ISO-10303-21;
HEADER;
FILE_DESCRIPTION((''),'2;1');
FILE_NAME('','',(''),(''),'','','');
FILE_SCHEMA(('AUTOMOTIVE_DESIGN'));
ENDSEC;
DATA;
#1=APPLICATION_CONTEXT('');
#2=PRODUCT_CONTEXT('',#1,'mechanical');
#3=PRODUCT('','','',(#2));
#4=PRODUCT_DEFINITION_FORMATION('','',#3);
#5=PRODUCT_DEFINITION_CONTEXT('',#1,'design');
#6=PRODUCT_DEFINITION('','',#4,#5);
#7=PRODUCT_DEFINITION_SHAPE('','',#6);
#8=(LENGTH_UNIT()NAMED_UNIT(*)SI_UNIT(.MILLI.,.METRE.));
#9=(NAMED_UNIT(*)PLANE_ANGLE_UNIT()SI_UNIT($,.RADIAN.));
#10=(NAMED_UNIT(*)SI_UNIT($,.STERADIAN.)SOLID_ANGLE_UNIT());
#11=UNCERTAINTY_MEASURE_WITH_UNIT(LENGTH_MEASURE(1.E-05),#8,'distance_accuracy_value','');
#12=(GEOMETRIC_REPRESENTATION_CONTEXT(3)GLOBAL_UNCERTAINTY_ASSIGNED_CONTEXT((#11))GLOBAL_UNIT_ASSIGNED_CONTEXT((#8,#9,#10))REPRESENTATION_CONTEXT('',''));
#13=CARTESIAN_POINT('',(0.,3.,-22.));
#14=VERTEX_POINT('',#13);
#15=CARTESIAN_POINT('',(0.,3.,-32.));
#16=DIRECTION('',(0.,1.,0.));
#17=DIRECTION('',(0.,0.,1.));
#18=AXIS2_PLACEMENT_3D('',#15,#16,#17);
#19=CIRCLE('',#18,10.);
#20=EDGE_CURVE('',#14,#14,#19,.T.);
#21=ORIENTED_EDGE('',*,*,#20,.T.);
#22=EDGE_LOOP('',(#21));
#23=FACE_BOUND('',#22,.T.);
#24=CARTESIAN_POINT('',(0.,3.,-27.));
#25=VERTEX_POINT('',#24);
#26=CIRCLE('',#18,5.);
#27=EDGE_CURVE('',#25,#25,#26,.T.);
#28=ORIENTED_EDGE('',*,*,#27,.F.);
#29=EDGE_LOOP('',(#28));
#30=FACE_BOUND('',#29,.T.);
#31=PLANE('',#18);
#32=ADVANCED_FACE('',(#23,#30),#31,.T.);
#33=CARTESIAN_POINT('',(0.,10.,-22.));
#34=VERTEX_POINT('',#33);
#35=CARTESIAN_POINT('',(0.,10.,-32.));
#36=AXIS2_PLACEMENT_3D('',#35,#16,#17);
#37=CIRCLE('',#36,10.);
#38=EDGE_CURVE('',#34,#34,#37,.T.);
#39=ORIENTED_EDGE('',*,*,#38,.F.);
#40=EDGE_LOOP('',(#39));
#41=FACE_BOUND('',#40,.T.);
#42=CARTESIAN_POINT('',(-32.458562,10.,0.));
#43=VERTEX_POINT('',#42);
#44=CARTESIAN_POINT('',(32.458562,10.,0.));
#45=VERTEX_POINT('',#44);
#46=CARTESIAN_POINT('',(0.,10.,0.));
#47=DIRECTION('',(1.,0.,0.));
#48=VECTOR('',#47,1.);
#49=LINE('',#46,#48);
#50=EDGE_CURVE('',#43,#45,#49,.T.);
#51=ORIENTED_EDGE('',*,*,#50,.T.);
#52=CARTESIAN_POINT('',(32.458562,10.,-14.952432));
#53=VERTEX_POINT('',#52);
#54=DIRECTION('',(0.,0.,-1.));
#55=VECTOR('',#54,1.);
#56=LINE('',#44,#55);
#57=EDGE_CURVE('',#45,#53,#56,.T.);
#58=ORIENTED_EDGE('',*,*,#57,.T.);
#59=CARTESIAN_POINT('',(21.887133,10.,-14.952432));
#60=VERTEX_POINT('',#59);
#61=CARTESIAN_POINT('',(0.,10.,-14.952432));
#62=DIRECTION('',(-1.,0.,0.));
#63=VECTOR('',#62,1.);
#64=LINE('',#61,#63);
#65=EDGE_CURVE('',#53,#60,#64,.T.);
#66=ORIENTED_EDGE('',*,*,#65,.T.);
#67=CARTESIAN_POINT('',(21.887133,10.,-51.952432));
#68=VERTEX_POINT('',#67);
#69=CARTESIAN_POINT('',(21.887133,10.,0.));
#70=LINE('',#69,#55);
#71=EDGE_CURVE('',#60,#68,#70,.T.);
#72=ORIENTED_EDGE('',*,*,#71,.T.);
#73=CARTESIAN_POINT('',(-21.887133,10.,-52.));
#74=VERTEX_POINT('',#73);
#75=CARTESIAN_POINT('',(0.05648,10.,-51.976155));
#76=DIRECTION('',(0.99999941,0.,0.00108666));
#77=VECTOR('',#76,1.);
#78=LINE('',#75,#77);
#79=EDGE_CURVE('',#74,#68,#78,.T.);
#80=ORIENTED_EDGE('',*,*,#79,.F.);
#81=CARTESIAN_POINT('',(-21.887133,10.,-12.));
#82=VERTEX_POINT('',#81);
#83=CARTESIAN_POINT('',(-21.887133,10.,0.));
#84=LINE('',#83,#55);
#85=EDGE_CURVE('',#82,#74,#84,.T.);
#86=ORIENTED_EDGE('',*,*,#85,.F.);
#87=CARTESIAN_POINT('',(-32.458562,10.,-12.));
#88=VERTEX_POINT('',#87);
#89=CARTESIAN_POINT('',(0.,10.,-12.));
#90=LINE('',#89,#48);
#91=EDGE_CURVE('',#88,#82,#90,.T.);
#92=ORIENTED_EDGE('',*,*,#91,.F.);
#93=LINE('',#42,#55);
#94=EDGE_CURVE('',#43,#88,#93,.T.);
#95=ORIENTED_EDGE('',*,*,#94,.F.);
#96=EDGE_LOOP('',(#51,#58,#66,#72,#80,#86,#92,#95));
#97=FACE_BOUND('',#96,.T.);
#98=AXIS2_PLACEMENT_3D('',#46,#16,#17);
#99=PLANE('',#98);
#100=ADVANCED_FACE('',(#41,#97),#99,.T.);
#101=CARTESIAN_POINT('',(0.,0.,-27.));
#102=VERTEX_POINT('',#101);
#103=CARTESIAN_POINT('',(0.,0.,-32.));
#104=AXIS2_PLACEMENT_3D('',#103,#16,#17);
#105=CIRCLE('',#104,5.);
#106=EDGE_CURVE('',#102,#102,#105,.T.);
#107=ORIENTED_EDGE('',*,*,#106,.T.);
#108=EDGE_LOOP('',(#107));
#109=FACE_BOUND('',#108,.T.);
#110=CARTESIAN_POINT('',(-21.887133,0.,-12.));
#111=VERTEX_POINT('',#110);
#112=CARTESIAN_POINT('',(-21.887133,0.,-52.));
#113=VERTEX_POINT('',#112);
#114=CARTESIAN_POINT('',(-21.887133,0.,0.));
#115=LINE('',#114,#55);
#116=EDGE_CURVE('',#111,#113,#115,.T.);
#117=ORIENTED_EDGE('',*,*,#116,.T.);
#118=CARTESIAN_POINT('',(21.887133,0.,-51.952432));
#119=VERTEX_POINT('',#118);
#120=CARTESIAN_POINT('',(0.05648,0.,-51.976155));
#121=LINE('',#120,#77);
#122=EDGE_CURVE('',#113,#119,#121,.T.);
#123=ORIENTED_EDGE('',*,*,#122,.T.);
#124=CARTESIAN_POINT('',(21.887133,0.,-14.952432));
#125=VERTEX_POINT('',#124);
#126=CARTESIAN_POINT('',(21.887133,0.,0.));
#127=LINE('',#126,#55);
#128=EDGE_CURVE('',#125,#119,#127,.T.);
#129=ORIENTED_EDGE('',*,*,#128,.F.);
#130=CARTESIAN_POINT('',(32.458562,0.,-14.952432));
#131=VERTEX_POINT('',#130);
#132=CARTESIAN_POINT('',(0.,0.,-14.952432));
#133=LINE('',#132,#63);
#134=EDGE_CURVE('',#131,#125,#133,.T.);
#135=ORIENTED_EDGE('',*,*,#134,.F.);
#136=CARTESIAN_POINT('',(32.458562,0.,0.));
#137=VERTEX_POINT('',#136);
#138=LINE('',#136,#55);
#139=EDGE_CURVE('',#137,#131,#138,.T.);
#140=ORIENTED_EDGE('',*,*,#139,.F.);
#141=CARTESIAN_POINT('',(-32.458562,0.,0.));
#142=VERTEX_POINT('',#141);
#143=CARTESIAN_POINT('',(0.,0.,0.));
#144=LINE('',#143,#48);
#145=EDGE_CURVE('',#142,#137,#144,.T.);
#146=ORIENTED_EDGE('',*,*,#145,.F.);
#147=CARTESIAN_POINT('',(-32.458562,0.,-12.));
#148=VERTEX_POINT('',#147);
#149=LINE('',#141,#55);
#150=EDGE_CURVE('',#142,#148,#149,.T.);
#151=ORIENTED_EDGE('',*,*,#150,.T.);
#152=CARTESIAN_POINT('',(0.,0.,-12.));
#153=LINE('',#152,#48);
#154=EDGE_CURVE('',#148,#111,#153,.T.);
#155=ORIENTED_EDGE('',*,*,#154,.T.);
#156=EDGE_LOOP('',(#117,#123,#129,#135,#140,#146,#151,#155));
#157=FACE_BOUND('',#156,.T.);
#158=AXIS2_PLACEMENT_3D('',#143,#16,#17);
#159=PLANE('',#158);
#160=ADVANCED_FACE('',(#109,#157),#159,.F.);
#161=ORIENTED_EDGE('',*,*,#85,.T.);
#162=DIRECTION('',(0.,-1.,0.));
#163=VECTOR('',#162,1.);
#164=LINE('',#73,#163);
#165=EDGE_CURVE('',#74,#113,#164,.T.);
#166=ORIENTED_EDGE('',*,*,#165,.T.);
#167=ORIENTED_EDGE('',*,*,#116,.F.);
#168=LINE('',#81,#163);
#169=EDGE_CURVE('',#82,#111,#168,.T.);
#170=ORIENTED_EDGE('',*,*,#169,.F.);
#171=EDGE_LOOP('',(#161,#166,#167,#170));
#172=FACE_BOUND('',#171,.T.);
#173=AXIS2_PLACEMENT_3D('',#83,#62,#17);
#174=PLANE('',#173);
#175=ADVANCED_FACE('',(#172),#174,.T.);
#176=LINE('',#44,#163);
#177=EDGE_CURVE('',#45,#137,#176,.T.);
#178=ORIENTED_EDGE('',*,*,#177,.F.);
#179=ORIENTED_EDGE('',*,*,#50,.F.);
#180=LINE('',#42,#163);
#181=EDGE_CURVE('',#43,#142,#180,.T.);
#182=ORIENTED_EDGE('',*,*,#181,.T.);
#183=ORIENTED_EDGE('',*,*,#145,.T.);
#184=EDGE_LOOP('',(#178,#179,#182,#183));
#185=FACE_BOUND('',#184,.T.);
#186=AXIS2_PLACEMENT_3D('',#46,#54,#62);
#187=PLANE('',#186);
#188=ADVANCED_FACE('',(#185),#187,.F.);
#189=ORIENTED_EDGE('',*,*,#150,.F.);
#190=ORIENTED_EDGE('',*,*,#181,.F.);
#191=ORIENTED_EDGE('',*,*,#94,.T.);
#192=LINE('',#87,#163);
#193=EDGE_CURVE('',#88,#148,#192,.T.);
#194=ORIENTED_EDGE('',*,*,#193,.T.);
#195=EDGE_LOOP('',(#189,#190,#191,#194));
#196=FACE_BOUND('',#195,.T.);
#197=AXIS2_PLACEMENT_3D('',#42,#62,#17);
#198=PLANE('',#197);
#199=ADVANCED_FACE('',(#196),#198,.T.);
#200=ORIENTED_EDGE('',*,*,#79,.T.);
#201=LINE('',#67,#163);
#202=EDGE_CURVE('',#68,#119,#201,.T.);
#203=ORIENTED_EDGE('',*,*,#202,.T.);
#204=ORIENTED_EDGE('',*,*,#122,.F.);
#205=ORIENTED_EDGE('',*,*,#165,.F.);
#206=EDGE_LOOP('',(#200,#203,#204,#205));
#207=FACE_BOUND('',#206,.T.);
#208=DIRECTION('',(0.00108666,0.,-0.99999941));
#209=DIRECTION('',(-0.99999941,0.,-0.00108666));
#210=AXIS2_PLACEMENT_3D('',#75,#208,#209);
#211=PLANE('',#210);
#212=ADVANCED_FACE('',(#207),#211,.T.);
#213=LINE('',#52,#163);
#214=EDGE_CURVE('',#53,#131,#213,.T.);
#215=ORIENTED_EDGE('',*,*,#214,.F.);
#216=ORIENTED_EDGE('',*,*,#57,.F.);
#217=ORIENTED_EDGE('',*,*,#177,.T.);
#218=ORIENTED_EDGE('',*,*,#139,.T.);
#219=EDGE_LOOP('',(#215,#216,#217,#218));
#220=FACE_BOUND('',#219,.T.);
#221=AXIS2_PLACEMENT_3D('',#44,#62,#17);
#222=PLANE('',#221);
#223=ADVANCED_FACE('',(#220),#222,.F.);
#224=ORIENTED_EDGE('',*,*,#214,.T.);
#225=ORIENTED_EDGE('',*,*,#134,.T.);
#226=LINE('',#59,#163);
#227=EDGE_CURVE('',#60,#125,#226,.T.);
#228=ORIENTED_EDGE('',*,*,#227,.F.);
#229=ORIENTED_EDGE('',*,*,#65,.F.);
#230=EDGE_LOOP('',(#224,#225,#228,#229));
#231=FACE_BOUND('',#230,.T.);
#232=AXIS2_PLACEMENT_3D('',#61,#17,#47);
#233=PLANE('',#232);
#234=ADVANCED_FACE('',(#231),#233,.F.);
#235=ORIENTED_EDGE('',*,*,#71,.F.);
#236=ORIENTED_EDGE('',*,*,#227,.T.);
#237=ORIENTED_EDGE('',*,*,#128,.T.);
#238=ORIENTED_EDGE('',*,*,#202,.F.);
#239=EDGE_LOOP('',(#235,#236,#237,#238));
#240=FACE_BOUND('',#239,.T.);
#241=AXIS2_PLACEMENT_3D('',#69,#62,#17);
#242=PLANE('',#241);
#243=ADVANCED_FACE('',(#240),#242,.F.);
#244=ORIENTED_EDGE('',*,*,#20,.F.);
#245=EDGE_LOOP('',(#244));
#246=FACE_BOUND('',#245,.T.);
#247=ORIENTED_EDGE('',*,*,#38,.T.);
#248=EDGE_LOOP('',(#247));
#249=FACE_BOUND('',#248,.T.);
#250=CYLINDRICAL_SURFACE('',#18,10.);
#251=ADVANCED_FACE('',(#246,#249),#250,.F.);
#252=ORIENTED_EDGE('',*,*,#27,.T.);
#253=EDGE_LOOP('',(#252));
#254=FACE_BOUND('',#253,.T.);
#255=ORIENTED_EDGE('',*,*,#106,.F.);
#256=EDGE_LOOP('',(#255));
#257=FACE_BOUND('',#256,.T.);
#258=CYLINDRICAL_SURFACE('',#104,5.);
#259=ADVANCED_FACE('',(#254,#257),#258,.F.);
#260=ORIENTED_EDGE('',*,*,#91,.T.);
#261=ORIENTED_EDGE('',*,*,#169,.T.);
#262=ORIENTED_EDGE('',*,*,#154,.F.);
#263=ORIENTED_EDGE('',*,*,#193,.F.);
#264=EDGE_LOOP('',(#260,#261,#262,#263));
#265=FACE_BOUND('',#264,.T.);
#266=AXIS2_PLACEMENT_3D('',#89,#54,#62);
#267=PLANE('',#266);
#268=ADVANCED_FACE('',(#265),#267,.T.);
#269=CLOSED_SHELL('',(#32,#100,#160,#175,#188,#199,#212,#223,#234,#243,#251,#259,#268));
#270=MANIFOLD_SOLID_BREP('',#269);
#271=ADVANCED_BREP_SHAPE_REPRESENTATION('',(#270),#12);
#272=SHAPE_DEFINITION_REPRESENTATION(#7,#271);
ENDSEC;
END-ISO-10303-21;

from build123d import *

# Parameters (mm, degrees)
BOSS_EXTRUDE1_DEPTH = 10
SKETCH2_R           = 10
CUT_EXTRUDE2_DEPTH  = 7
SKETCH5_R           = 5
CUT_EXTRUDE3_DEPTH  = 4


with BuildPart() as part:
    # Sketch1 → Boss-Extrude1 (new body)
    with BuildSketch(Plane(origin=(0, 0, 0), x_dir=(1, 0, 0), z_dir=(0, 1, 0))):
        Polygon((-21.887133372, 52), (21.887133372, 51.952432224), (21.887133372, 14.952432224), (32.458561943, 14.952432224), (32.458561943, 0), (-32.458561943, 0), (-32.458561943, 12), (-21.887133372, 12), align=None)
    extrude(amount=BOSS_EXTRUDE1_DEPTH)

    # Sketch2 → Cut-Extrude2 (cut)
    with BuildSketch(Plane(origin=(0, 10, 0), x_dir=(1, 0, 0), z_dir=(0, 1, 0))):
        with Locations((0, 32)):
            Circle(SKETCH2_R)
    extrude(amount=-CUT_EXTRUDE2_DEPTH, mode=Mode.SUBTRACT)

    # Sketch5 → Cut-Extrude3 (cut, through all)
    with BuildSketch(Plane(origin=(0, 3, 0), x_dir=(1, 0, 0), z_dir=(0, 1, 0))):
        with Locations((0, 32)):
            Circle(SKETCH5_R)
    extrude(amount=-CUT_EXTRUDE3_DEPTH, mode=Mode.SUBTRACT)


solid = part.part
